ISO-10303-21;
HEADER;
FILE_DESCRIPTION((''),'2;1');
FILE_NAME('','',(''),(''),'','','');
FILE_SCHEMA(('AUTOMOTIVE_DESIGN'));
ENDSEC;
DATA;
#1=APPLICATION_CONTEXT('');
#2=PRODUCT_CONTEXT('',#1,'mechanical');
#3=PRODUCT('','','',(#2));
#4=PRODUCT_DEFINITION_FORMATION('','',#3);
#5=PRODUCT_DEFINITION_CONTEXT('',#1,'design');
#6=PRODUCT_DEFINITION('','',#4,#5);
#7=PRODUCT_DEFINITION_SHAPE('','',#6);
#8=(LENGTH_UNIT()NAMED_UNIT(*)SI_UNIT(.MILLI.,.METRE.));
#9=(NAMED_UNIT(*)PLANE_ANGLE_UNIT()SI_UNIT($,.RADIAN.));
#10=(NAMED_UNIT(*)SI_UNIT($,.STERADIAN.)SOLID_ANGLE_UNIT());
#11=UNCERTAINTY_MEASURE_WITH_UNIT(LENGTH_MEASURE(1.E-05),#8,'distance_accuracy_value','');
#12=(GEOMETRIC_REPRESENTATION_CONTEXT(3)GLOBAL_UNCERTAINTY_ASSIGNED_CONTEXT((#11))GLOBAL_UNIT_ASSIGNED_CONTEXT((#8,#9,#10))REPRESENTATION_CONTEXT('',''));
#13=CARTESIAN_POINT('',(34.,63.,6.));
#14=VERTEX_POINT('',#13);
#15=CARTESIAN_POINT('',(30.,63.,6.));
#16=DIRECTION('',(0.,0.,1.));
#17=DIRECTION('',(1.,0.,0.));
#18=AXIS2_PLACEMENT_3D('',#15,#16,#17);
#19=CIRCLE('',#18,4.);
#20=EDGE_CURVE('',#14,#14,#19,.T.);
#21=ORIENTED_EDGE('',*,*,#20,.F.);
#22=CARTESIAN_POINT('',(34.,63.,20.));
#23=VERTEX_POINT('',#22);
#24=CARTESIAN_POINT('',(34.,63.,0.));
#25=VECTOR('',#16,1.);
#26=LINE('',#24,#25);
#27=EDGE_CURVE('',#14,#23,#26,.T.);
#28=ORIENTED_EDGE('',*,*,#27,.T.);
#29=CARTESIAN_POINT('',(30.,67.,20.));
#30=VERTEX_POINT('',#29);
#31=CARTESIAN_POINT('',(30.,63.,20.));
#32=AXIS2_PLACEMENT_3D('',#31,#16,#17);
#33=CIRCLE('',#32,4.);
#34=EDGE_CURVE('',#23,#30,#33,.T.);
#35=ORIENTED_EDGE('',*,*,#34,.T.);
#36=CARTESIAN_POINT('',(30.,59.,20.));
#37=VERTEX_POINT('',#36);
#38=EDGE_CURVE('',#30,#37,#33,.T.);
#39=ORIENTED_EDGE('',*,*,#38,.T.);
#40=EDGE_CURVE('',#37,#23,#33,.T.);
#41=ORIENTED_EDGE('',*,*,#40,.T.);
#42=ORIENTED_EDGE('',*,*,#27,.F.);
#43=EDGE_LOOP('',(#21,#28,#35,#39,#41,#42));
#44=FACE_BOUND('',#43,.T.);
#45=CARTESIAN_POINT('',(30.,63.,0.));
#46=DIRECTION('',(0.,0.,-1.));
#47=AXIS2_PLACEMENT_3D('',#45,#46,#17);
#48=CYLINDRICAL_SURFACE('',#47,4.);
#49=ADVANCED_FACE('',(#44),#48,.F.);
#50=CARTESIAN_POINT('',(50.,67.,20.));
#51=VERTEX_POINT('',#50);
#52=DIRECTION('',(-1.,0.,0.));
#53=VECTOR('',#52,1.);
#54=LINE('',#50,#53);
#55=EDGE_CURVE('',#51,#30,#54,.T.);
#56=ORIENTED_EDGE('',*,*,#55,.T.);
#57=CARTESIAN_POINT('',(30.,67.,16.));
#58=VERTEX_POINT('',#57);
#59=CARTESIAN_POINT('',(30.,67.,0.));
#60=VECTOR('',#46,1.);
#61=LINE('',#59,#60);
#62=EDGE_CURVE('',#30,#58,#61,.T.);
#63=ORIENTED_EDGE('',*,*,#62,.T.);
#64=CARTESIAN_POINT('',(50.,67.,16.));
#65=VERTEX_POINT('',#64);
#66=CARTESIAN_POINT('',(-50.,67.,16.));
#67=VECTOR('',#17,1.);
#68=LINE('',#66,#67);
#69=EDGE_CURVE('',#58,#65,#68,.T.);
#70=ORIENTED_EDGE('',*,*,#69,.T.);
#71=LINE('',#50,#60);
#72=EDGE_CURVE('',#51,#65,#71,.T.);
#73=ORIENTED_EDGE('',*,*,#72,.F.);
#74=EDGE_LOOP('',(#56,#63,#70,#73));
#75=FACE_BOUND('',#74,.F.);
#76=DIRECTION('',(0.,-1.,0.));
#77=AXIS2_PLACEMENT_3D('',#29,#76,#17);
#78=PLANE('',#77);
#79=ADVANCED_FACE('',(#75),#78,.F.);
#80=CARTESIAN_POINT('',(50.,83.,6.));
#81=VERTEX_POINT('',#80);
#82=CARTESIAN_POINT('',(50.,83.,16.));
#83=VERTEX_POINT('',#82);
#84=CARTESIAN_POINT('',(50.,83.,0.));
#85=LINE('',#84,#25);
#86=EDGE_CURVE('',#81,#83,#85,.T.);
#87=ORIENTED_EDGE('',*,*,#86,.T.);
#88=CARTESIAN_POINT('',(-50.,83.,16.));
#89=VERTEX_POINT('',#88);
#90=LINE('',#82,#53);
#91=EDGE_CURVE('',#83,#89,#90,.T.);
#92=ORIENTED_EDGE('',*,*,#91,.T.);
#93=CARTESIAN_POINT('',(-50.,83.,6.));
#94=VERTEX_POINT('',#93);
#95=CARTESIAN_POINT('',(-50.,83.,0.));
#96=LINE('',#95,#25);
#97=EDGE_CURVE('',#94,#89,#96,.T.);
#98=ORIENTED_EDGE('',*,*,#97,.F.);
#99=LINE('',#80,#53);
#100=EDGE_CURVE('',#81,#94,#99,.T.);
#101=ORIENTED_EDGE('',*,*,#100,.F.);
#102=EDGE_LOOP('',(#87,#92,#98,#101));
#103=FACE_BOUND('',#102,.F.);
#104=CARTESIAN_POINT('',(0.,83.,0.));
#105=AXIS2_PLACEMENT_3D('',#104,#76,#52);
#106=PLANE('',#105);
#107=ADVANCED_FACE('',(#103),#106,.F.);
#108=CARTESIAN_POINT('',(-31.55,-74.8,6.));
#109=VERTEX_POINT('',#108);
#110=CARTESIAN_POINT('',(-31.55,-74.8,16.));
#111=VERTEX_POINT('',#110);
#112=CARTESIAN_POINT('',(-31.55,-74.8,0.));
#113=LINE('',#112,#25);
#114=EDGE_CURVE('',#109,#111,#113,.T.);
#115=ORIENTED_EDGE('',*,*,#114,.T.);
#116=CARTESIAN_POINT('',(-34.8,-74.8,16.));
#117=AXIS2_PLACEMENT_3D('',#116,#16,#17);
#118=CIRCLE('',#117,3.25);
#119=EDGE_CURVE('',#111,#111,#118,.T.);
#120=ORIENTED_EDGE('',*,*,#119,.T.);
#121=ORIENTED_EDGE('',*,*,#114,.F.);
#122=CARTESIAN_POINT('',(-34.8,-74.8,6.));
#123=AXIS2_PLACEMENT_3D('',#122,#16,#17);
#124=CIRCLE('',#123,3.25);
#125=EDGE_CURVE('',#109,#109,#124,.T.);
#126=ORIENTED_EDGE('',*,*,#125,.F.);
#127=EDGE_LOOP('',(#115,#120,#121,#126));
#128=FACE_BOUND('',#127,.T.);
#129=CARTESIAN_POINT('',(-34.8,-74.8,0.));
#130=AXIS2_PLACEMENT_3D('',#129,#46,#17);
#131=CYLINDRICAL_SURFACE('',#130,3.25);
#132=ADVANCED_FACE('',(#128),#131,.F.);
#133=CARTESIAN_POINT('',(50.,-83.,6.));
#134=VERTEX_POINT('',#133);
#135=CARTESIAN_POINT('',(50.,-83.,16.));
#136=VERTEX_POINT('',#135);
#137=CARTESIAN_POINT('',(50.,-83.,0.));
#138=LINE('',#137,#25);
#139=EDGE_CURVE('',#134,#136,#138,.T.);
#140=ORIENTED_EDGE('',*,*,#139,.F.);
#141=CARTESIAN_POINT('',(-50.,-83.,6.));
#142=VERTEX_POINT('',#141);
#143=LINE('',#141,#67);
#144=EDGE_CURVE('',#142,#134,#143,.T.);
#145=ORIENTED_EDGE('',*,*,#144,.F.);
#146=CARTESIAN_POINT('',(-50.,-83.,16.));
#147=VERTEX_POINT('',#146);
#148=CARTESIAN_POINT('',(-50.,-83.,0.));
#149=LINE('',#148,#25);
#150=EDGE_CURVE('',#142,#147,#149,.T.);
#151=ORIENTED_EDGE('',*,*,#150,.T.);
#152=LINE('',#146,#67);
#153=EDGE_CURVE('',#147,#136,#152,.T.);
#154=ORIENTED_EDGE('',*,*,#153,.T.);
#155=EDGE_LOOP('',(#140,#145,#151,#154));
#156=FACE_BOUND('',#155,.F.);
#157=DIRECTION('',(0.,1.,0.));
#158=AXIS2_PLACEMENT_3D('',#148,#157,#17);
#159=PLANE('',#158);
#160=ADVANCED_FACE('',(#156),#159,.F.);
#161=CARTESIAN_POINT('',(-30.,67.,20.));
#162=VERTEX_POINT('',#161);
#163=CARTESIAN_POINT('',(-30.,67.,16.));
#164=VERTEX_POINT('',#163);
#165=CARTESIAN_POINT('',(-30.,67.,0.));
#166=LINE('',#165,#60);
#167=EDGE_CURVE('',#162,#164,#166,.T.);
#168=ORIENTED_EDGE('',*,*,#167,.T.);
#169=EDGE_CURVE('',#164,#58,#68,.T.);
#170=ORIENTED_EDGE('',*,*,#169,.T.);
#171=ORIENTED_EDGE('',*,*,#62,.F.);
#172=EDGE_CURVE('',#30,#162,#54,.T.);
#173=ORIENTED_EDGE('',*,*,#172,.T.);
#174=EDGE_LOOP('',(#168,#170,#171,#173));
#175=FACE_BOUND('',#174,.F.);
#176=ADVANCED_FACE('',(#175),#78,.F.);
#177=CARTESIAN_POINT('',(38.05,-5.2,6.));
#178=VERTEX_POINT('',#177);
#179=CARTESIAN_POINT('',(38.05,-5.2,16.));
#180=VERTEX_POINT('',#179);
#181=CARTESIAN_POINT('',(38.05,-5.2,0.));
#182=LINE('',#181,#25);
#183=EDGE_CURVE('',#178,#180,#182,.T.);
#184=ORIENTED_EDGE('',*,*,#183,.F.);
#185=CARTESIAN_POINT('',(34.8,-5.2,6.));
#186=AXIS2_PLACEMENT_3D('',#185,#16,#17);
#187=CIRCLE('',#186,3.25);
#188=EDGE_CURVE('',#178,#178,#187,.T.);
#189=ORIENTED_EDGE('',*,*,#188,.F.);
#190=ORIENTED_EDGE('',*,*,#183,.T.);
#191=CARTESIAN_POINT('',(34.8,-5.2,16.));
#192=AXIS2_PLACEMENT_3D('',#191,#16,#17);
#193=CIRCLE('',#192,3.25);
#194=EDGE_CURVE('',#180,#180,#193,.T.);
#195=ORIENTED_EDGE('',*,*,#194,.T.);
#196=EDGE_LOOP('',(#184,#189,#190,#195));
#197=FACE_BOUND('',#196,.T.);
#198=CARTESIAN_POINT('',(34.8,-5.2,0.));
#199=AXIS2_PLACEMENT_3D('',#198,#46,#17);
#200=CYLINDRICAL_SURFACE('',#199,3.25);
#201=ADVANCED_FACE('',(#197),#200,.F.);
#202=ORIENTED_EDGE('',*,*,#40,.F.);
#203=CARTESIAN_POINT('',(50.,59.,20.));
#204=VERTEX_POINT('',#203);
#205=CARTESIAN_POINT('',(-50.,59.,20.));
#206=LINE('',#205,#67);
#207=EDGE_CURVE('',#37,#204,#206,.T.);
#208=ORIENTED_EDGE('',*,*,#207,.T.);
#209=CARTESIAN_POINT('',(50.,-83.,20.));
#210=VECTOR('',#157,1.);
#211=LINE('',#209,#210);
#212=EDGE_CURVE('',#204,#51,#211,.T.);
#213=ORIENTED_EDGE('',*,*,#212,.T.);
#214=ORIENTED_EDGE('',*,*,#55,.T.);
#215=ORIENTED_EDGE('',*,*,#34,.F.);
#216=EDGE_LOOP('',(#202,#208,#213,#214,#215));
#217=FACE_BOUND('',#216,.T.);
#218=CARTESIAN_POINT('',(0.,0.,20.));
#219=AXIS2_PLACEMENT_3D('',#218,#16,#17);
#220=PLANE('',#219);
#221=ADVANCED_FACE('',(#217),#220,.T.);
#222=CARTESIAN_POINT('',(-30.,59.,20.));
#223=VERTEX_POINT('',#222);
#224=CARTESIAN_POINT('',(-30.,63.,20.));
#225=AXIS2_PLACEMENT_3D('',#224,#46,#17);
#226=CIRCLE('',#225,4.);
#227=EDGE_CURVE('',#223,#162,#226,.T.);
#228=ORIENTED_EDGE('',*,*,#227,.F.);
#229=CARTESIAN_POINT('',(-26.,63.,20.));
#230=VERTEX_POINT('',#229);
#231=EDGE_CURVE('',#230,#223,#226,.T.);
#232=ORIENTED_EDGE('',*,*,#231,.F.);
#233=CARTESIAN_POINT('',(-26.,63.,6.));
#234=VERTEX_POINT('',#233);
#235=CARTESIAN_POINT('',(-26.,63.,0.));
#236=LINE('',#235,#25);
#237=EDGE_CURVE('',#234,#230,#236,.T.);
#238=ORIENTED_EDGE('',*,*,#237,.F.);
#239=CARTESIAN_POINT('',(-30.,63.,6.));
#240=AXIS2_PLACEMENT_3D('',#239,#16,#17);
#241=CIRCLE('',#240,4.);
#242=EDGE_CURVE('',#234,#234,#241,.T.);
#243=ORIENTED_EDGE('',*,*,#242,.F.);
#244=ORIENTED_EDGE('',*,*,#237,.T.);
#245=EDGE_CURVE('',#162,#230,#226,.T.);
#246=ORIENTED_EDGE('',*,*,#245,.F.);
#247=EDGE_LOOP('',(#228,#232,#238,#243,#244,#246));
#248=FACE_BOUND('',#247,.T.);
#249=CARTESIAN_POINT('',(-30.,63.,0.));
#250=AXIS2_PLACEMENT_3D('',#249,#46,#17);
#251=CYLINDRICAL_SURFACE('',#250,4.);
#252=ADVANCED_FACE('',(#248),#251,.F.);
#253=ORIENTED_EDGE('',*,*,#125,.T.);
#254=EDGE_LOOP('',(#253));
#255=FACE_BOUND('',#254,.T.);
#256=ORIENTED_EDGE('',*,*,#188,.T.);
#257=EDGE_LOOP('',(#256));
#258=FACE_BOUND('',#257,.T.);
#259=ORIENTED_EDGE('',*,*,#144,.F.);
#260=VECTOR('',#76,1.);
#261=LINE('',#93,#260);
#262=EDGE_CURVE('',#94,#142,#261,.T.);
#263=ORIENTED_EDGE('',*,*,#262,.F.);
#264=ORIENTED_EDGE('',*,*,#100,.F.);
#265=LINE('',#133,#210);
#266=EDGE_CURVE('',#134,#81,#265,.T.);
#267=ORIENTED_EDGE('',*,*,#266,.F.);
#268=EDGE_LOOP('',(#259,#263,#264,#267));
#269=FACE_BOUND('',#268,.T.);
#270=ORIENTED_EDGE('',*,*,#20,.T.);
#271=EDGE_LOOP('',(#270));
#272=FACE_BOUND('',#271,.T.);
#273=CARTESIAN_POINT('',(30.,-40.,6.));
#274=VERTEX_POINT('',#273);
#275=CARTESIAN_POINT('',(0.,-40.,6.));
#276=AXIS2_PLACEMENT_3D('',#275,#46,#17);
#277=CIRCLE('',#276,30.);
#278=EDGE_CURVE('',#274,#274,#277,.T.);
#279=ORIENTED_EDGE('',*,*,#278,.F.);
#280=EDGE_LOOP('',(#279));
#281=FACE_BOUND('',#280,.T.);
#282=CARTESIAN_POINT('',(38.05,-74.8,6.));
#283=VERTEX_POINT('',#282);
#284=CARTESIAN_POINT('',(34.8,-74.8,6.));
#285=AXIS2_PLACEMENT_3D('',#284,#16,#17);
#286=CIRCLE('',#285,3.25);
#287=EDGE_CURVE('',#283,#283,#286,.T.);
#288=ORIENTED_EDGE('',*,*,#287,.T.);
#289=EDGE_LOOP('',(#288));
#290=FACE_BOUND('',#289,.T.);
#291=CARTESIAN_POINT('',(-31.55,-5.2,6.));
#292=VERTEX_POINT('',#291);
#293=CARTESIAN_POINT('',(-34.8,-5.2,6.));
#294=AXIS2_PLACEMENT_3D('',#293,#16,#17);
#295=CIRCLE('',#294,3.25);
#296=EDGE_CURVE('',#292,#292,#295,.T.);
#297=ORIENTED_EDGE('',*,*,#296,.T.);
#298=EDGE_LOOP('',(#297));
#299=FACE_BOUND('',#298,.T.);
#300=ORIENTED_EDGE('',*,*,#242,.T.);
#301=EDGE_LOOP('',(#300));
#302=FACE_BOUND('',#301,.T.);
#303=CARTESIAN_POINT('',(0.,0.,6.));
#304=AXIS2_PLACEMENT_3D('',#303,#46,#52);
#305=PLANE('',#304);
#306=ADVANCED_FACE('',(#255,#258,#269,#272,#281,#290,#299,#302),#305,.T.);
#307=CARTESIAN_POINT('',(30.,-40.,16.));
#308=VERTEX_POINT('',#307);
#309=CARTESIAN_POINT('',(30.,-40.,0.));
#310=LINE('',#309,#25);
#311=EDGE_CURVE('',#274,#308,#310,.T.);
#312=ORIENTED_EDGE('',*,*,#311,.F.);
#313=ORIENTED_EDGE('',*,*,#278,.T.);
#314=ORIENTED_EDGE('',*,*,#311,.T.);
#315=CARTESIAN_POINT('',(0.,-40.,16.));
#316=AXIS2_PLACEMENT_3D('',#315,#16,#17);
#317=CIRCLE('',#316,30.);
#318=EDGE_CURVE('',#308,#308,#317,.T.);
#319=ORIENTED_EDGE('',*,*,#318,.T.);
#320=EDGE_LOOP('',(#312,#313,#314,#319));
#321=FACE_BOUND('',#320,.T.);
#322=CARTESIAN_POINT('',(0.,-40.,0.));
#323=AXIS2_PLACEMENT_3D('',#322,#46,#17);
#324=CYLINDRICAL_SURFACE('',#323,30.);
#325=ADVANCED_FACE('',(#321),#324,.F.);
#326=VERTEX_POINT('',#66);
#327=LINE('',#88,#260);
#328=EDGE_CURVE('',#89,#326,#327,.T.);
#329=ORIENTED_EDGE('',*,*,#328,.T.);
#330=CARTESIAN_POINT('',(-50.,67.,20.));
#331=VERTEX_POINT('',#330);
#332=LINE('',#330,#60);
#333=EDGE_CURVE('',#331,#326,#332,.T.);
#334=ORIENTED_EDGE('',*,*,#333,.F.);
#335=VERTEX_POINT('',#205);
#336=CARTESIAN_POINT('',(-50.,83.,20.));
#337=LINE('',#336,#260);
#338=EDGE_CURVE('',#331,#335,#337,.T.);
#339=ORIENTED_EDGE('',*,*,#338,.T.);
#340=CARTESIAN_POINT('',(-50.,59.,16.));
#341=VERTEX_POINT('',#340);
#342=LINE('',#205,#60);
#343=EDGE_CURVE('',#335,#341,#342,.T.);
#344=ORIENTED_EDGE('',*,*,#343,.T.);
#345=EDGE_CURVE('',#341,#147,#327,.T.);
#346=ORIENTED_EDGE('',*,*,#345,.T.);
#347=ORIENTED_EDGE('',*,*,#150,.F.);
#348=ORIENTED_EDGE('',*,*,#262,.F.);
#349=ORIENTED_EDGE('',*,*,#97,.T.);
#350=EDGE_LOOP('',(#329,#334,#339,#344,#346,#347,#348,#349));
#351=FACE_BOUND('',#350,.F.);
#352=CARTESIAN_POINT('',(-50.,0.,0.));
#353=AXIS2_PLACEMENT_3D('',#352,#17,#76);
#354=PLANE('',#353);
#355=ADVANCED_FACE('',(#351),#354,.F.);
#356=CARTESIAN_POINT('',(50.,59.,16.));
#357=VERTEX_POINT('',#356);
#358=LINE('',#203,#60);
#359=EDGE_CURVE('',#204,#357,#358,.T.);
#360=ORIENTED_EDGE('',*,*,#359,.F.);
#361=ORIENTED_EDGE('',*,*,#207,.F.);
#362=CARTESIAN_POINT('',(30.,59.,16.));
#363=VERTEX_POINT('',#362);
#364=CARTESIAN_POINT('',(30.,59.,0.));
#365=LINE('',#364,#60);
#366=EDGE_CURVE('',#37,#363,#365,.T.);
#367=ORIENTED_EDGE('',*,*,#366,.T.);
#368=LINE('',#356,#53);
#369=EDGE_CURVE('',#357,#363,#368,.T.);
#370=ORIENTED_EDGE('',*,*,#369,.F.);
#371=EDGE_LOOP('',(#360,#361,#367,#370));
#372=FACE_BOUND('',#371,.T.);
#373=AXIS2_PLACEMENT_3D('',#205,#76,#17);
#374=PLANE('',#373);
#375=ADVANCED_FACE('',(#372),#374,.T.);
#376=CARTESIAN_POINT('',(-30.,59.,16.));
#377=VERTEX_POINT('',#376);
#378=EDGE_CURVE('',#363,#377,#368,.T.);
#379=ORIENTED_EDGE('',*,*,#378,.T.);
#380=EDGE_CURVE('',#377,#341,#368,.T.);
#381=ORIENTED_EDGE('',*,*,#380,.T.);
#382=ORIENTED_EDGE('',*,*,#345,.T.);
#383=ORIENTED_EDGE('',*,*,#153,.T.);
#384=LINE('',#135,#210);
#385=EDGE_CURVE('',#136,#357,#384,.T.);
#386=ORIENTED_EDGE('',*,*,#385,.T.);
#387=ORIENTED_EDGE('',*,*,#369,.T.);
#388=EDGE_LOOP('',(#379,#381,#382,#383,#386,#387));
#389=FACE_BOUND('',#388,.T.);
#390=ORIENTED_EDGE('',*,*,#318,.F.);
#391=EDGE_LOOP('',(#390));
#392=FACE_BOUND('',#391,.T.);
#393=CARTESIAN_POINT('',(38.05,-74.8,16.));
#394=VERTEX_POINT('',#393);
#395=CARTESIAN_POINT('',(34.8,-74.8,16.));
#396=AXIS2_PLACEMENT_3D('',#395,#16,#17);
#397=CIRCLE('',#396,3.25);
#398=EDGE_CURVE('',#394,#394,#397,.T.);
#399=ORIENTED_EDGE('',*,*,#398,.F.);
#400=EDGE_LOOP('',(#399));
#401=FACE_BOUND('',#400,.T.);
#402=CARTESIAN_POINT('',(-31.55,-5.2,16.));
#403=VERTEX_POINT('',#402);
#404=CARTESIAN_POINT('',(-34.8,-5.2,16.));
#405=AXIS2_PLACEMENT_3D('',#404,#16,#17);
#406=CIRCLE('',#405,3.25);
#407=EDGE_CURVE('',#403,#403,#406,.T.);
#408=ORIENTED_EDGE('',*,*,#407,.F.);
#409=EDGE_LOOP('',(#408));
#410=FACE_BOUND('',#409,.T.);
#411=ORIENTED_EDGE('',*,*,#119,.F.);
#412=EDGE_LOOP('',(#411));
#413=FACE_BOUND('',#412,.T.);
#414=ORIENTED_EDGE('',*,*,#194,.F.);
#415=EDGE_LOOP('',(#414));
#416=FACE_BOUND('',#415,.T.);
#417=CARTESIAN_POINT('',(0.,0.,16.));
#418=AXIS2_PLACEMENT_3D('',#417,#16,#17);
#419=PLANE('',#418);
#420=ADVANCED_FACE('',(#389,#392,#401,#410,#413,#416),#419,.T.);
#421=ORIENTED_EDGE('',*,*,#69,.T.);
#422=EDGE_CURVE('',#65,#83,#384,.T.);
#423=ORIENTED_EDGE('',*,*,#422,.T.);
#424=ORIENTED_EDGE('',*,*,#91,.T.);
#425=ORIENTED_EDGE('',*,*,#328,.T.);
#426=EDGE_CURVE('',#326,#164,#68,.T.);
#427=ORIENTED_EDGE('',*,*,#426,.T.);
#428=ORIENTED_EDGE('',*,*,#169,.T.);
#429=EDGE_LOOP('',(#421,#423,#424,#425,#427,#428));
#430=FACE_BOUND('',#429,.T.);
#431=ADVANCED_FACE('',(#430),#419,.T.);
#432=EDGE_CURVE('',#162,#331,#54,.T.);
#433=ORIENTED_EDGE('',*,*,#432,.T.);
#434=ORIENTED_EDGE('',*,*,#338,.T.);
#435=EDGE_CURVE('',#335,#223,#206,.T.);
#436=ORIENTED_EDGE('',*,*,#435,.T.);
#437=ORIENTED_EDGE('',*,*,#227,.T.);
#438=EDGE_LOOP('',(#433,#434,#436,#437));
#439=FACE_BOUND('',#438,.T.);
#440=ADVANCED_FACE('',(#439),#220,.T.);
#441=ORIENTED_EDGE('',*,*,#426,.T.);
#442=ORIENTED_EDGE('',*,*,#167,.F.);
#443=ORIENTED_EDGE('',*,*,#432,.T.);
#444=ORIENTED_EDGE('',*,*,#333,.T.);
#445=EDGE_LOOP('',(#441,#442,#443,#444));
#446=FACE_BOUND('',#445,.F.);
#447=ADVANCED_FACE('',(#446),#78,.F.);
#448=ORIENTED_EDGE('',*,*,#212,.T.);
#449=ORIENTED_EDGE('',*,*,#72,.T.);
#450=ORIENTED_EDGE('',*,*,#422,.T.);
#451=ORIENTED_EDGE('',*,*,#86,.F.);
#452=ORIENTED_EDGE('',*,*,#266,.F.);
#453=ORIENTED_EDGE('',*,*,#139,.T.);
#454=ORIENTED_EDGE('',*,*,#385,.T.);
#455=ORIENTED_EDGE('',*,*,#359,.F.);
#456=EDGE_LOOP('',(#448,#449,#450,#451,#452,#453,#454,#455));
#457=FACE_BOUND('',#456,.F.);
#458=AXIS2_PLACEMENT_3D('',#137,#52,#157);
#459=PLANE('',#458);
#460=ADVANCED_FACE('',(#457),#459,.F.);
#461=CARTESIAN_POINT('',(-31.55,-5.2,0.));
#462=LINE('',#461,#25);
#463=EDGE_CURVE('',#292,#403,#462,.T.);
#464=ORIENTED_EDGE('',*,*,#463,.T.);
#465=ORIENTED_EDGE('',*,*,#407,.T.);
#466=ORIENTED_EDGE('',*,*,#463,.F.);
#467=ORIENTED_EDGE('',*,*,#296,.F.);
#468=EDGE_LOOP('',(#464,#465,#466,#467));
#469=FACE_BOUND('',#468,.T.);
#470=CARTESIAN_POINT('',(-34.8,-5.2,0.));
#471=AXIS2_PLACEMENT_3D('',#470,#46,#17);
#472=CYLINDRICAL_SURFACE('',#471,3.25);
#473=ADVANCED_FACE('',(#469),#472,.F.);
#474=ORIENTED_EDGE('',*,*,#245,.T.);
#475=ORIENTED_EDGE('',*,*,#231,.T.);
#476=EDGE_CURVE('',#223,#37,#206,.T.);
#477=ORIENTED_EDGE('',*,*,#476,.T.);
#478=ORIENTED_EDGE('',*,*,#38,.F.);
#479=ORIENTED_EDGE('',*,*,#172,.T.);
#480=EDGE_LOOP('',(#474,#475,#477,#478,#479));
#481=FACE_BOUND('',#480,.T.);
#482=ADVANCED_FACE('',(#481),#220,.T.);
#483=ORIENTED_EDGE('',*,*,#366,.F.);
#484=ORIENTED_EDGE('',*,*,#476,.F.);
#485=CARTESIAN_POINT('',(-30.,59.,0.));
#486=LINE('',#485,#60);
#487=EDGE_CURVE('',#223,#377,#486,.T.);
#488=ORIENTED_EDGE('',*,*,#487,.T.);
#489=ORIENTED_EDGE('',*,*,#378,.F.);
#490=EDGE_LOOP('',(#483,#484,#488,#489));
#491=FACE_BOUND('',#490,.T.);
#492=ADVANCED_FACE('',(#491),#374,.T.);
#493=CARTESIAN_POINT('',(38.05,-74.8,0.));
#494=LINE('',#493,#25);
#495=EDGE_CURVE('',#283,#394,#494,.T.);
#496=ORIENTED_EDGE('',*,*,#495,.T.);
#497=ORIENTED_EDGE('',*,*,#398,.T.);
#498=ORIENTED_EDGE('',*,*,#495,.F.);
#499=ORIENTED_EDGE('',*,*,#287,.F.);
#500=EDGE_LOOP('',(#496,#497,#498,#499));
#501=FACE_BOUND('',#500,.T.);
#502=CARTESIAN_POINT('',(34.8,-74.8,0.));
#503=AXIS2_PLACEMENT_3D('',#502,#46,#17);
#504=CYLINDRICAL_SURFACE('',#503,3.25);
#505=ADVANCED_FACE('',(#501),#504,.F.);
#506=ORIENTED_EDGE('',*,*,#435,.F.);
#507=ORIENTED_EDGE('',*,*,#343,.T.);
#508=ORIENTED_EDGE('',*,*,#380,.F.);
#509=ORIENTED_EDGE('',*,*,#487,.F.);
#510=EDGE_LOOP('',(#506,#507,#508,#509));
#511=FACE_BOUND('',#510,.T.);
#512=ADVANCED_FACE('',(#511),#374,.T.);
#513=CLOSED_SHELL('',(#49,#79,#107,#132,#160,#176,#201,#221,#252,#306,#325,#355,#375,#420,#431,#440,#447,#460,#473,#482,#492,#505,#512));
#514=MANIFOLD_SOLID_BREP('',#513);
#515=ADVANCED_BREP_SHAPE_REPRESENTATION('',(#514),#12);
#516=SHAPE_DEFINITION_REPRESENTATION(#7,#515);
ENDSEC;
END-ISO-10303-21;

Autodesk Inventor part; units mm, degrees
ref_plane "YZ Plane" through (0, 0, 0) normal (1, 0, 0) x (0, 1, 0)
ref_plane "XZ Plane" through (0, 0, 0) normal (0, 1, 0) x (-1, 0, 0)
ref_plane "XY Plane" through (0, 0, 0) normal (0, 0, 1) x (1, 0, 0)
sketch "Sketch1" plane through (0, 0, 0) normal (0, 0, 1) x (1, 0, 0)
  line L0 (0, 116.2) -> (0, -116.2) projected
  line L1 (-70, 0) -> (70, 0) projected
  line L2 (-50, -83) -> (50, -83)
  line L3 (50, -83) -> (50, 83)
  line L4 (50, 83) -> (-50, 83)
  line L5 (-50, 83) -> (-50, -83)
  circle A0 centre (0, -40) radius 30
  circle A1 centre (-30, 63) radius 4
  circle A2 centre (30, 63) radius 4
  circle A3 centre (34.8, -74.8) radius 3.25
  circle A4 centre (34.8, -5.2) radius 3.25
  circle A5 centre (-34.8, -5.2) radius 3.25
  circle A6 centre (-34.8, -74.8) radius 3.25
  line L6 (-30, 63) -> (-30, 59)
  line L7 (0, -40) -> (0, -10)
  point P0 (0, 0)
  dimension "d2" = 60
  dimension "d4" = 8
  dimension "d0" = 100
  dimension "d1" = 166
  dimension "d3" = 43
  dimension "d5" = 8
  dimension "d6" = 20
  dimension "d7" = 20
  dimension "d8" = 20
  dimension "d9" = 20
  dimension "d10" = 6.5
  dimension "d11" = 6.5
  dimension "d12" = 6.5
  dimension "d13" = 6.5
  dimension "d14" = 69.6
  dimension "d15" = 69.6
  dimension "d16" = 69.6
  dimension "d17" = 69.6
  dimension "d18" = 0
  dimension "d19" = 0
  dimension "d20" = 34.8
  dimension "d21" = 34.8
  dimension "d22" = 69
extrude "Extrusion1" add sketch "Sketch1" along normal blind 20 contours A0 L0 L2 L5 L1 | L0 L1 L3 L2 A0 | L1 L5 L4 L0 | L0 L4 L3 L1
sketch "Sketch2" plane through (0, 0, 20) normal (0, 0, 1) x (1, 0, 0)
  line L0 (50, 83) -> (-50, 83) projected
  line L1 (-50, 83) -> (-50, -83) projected
  line L2 (-50, -83) -> (50, -83) projected
  line L3 (50, -83) -> (50, 83) projected
  circle A0 centre (30, 63) radius 4 projected
  circle A1 centre (34.8, -5.2) radius 3.25 projected
  circle A2 centre (34.8, -74.8) radius 3.25 projected
  circle A3 centre (-34.8, -74.8) radius 3.25 projected
  circle A4 centre (-34.8, -5.2) radius 3.25 projected
  circle A5 centre (-30, 63) radius 4 projected
  circle A6 centre (0, -40) radius 30 projected
  line L4 (-50, 83) -> (-50, -83) projected
  line L5 (-50, 63) -> (50, 63)
  line L6 (-50, 67) -> (50, 67)
  line L7 (-50, 59) -> (50, 59)
  point P0 (0, 0)
  point P1 (50, 59)
  point P2 (-50, 59)
  point P3 (-50, 67)
  point P4 (50, 67)
  dimension "d25" = 4
  dimension "d26" = 4
extrude "Extrusion2" cut sketch "Sketch2" against normal blind 4 contours L3 L6 L1 L0 | L3 L2 L1 L7
sketch "Sketch3" plane through (0, 0, 0) normal (0, 0, -1) x (-1, 0, 0)
  line L0 (-50, 83) -> (50, 83) projected
  line L1 (-50, -83) -> (-50, 83) projected
  line L2 (50, -83) -> (-50, -83) projected
  line L3 (50, 83) -> (50, -83) projected
  circle A0 centre (-30, 63) radius 4 projected
  circle A1 centre (-34.8, -5.2) radius 3.25 projected
  circle A2 centre (-34.8, -74.8) radius 3.25 projected
  circle A3 centre (34.8, -74.8) radius 3.25 projected
  circle A4 centre (34.8, -5.2) radius 3.25 projected
  circle A5 centre (30, 63) radius 4 projected
  circle A6 centre (0, -40) radius 30 projected
  point P0 (0, 0)
extrude "Extrusion3" cut sketch "Sketch3" against normal blind 6
properties part number "motor mount middle"
